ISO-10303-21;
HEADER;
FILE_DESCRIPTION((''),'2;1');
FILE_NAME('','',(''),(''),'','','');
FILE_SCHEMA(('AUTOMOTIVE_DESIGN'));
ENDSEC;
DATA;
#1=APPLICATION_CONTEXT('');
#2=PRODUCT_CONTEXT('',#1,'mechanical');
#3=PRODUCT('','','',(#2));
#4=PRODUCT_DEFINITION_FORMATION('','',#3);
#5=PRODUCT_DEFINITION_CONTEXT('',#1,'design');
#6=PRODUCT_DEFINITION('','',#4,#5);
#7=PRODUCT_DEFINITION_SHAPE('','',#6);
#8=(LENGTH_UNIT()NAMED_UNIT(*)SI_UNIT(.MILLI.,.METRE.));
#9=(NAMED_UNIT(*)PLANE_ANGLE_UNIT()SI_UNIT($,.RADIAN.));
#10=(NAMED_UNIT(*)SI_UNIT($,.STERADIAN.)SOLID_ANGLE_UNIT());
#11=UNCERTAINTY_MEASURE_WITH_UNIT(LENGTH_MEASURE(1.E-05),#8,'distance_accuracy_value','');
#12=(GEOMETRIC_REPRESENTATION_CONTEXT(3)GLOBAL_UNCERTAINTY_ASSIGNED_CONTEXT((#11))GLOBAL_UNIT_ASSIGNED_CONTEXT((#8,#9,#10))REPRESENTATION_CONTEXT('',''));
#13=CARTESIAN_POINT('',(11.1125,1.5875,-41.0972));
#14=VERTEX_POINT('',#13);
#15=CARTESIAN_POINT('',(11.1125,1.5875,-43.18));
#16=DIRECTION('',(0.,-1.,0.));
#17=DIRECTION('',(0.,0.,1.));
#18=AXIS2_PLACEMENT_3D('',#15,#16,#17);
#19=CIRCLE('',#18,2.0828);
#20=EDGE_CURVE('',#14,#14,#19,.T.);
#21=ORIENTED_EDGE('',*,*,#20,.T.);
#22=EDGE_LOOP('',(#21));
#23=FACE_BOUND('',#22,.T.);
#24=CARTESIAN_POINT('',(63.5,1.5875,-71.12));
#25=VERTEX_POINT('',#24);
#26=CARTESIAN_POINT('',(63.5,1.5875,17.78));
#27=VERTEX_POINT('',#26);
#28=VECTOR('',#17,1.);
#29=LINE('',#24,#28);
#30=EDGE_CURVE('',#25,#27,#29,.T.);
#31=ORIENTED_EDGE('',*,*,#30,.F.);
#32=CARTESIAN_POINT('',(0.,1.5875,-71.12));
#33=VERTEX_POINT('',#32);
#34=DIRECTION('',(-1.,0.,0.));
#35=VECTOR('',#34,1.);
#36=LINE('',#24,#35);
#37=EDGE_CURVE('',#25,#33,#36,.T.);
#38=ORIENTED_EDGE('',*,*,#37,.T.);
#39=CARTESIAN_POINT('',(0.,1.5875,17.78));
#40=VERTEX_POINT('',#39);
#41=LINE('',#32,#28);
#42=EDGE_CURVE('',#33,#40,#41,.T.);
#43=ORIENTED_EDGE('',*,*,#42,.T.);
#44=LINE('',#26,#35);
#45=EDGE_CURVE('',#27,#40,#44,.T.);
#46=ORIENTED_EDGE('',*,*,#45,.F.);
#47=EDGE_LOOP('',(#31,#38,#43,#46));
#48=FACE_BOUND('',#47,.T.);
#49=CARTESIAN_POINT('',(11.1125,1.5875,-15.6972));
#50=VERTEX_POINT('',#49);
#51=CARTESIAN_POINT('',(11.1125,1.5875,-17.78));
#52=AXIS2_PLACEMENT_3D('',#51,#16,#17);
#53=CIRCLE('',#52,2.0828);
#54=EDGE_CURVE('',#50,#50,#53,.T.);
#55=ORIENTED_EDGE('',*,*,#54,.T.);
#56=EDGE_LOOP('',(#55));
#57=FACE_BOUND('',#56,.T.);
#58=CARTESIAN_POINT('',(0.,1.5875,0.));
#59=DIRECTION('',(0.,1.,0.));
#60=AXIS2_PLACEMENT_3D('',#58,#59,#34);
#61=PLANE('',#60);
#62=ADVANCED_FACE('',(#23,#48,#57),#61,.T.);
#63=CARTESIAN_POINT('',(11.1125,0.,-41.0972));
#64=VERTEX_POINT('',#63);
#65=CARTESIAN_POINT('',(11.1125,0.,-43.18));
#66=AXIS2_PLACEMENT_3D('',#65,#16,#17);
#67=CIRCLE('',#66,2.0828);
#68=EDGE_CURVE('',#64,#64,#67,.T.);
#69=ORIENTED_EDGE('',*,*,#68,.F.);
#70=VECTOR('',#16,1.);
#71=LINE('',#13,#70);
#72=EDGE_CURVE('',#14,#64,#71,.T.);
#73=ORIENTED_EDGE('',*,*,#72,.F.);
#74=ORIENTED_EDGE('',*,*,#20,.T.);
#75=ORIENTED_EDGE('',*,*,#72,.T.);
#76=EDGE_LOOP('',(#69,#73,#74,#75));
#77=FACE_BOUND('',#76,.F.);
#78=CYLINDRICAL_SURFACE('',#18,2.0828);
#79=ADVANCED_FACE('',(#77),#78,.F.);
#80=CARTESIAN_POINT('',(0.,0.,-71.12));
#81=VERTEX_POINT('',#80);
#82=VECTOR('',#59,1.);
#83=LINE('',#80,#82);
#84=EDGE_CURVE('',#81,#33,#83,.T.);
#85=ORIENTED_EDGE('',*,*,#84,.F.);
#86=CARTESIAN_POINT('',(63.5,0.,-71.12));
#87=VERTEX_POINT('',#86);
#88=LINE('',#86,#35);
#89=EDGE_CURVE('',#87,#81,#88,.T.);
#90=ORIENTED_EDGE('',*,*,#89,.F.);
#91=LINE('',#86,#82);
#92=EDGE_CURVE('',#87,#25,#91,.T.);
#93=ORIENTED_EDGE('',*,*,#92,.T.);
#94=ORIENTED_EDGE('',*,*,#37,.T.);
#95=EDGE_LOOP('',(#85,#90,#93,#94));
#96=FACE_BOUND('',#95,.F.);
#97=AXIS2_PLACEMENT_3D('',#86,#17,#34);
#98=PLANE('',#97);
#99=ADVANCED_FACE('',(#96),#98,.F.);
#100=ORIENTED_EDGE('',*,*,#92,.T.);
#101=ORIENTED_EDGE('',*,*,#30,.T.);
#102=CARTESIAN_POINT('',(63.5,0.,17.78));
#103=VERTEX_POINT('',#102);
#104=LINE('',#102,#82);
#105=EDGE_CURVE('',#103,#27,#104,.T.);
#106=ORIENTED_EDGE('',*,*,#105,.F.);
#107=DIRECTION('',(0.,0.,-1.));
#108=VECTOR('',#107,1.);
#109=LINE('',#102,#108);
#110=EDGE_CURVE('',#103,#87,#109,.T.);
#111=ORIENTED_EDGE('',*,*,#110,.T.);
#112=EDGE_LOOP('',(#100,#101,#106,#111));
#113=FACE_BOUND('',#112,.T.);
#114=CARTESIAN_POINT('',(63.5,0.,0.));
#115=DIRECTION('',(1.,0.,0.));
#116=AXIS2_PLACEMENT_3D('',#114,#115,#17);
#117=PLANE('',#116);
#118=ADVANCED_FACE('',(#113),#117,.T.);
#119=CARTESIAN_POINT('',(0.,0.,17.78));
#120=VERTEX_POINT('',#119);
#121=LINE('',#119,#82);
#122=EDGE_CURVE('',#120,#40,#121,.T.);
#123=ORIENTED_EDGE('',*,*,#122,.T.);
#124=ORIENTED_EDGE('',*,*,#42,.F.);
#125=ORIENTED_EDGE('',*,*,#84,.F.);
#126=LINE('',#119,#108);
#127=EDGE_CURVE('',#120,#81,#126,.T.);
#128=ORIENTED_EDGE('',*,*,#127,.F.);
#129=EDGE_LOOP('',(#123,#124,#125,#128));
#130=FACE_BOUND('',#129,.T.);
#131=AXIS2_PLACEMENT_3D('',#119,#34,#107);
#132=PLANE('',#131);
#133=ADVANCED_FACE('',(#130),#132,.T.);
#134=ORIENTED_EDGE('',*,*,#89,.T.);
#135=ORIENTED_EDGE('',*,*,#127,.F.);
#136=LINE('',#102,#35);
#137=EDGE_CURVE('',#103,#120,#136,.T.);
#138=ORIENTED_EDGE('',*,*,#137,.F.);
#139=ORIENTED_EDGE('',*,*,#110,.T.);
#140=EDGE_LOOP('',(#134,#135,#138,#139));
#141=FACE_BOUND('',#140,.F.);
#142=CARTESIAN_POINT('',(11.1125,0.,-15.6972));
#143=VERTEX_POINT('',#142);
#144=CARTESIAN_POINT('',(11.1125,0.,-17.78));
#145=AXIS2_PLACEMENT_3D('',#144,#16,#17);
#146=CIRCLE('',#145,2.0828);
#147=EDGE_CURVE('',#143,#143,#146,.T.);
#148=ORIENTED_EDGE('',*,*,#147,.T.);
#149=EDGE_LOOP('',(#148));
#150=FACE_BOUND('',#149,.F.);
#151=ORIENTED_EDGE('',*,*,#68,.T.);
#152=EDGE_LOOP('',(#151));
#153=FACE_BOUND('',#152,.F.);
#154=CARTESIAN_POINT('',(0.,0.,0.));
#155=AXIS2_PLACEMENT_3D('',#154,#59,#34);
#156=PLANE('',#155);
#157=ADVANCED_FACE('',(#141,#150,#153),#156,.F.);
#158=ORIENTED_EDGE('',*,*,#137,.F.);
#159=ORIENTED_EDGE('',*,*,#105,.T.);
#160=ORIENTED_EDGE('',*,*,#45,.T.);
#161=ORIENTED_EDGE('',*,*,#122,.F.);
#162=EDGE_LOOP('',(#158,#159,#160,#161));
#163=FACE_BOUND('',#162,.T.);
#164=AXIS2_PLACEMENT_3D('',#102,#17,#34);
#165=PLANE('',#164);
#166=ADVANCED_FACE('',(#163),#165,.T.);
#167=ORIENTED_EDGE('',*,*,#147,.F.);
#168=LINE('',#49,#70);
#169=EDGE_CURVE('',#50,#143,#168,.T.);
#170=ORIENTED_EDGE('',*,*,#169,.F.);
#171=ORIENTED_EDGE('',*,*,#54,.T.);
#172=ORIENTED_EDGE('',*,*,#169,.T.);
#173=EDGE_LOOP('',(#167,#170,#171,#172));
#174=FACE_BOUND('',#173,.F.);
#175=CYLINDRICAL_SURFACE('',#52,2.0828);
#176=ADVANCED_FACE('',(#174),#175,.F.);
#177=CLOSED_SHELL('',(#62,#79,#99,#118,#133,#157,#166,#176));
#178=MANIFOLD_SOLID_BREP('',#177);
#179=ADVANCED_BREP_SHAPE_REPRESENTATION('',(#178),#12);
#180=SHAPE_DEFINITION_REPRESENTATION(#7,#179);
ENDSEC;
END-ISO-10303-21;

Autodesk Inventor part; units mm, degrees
ref_plane "YZ Plane" through (0, 0, 0) normal (1, 0, 0) x (0, 1, 0)
ref_plane "XZ Plane" through (0, 0, 0) normal (0, 1, 0) x (-1, 0, 0)
ref_plane "XY Plane" through (0, 0, 0) normal (0, 0, 1) x (1, 0, 0)
sketch "Sketch1" plane through (0, 0, 0) normal (0, 1, 0) x (-1, 0, 0)
  line L0 (-63.5, 0) -> (-63.5, -63.5)
  line L1 (0, -63.5) -> (0, 0)
  line L2 (-63.5, 0) -> (-63.5, 17.78)
  line L3 (-63.5, 17.78) -> (0, 17.78)
  line L4 (0, 17.78) -> (0, 0)
  line L5 (-63.5, -63.5) -> (-63.5, -71.12)
  line L6 (-63.5, -71.12) -> (0, -71.12)
  line L7 (0, -71.12) -> (0, -63.5)
  dimension "d0" = 63.5
  dimension "d1" = 63.5
  dimension "d14" = 17.78
  dimension "d15" = 7.62
extrude "Extrusion1" add sketch "Sketch1" along normal blind 1.5875
sketch "Sketch2" plane through (0, 1.5875, 0) normal (0, 1, 0) x (1, 0, 0)
  line L0 (0, 0) -> (11.1125, 0)
  line L1 (0, 0) -> (63.5, 0) projected
  line L2 (0, 0) -> (0, 17.78)
  line L3 (0, 71.12) -> (0, 0) projected
  point P0 (0, 63.5)
  point P1 (11.1125, 17.78)
  point P2 (11.1125, 43.18)
  dimension "d4" = 11.1125
  dimension "d5" = 17.78
hole "Hole1" at (11.1125, 1.5875, -17.78) at (11.1125, 1.5875, -43.18) direction (0, -1, 0) diameter 4.1656 depth 1.5875
